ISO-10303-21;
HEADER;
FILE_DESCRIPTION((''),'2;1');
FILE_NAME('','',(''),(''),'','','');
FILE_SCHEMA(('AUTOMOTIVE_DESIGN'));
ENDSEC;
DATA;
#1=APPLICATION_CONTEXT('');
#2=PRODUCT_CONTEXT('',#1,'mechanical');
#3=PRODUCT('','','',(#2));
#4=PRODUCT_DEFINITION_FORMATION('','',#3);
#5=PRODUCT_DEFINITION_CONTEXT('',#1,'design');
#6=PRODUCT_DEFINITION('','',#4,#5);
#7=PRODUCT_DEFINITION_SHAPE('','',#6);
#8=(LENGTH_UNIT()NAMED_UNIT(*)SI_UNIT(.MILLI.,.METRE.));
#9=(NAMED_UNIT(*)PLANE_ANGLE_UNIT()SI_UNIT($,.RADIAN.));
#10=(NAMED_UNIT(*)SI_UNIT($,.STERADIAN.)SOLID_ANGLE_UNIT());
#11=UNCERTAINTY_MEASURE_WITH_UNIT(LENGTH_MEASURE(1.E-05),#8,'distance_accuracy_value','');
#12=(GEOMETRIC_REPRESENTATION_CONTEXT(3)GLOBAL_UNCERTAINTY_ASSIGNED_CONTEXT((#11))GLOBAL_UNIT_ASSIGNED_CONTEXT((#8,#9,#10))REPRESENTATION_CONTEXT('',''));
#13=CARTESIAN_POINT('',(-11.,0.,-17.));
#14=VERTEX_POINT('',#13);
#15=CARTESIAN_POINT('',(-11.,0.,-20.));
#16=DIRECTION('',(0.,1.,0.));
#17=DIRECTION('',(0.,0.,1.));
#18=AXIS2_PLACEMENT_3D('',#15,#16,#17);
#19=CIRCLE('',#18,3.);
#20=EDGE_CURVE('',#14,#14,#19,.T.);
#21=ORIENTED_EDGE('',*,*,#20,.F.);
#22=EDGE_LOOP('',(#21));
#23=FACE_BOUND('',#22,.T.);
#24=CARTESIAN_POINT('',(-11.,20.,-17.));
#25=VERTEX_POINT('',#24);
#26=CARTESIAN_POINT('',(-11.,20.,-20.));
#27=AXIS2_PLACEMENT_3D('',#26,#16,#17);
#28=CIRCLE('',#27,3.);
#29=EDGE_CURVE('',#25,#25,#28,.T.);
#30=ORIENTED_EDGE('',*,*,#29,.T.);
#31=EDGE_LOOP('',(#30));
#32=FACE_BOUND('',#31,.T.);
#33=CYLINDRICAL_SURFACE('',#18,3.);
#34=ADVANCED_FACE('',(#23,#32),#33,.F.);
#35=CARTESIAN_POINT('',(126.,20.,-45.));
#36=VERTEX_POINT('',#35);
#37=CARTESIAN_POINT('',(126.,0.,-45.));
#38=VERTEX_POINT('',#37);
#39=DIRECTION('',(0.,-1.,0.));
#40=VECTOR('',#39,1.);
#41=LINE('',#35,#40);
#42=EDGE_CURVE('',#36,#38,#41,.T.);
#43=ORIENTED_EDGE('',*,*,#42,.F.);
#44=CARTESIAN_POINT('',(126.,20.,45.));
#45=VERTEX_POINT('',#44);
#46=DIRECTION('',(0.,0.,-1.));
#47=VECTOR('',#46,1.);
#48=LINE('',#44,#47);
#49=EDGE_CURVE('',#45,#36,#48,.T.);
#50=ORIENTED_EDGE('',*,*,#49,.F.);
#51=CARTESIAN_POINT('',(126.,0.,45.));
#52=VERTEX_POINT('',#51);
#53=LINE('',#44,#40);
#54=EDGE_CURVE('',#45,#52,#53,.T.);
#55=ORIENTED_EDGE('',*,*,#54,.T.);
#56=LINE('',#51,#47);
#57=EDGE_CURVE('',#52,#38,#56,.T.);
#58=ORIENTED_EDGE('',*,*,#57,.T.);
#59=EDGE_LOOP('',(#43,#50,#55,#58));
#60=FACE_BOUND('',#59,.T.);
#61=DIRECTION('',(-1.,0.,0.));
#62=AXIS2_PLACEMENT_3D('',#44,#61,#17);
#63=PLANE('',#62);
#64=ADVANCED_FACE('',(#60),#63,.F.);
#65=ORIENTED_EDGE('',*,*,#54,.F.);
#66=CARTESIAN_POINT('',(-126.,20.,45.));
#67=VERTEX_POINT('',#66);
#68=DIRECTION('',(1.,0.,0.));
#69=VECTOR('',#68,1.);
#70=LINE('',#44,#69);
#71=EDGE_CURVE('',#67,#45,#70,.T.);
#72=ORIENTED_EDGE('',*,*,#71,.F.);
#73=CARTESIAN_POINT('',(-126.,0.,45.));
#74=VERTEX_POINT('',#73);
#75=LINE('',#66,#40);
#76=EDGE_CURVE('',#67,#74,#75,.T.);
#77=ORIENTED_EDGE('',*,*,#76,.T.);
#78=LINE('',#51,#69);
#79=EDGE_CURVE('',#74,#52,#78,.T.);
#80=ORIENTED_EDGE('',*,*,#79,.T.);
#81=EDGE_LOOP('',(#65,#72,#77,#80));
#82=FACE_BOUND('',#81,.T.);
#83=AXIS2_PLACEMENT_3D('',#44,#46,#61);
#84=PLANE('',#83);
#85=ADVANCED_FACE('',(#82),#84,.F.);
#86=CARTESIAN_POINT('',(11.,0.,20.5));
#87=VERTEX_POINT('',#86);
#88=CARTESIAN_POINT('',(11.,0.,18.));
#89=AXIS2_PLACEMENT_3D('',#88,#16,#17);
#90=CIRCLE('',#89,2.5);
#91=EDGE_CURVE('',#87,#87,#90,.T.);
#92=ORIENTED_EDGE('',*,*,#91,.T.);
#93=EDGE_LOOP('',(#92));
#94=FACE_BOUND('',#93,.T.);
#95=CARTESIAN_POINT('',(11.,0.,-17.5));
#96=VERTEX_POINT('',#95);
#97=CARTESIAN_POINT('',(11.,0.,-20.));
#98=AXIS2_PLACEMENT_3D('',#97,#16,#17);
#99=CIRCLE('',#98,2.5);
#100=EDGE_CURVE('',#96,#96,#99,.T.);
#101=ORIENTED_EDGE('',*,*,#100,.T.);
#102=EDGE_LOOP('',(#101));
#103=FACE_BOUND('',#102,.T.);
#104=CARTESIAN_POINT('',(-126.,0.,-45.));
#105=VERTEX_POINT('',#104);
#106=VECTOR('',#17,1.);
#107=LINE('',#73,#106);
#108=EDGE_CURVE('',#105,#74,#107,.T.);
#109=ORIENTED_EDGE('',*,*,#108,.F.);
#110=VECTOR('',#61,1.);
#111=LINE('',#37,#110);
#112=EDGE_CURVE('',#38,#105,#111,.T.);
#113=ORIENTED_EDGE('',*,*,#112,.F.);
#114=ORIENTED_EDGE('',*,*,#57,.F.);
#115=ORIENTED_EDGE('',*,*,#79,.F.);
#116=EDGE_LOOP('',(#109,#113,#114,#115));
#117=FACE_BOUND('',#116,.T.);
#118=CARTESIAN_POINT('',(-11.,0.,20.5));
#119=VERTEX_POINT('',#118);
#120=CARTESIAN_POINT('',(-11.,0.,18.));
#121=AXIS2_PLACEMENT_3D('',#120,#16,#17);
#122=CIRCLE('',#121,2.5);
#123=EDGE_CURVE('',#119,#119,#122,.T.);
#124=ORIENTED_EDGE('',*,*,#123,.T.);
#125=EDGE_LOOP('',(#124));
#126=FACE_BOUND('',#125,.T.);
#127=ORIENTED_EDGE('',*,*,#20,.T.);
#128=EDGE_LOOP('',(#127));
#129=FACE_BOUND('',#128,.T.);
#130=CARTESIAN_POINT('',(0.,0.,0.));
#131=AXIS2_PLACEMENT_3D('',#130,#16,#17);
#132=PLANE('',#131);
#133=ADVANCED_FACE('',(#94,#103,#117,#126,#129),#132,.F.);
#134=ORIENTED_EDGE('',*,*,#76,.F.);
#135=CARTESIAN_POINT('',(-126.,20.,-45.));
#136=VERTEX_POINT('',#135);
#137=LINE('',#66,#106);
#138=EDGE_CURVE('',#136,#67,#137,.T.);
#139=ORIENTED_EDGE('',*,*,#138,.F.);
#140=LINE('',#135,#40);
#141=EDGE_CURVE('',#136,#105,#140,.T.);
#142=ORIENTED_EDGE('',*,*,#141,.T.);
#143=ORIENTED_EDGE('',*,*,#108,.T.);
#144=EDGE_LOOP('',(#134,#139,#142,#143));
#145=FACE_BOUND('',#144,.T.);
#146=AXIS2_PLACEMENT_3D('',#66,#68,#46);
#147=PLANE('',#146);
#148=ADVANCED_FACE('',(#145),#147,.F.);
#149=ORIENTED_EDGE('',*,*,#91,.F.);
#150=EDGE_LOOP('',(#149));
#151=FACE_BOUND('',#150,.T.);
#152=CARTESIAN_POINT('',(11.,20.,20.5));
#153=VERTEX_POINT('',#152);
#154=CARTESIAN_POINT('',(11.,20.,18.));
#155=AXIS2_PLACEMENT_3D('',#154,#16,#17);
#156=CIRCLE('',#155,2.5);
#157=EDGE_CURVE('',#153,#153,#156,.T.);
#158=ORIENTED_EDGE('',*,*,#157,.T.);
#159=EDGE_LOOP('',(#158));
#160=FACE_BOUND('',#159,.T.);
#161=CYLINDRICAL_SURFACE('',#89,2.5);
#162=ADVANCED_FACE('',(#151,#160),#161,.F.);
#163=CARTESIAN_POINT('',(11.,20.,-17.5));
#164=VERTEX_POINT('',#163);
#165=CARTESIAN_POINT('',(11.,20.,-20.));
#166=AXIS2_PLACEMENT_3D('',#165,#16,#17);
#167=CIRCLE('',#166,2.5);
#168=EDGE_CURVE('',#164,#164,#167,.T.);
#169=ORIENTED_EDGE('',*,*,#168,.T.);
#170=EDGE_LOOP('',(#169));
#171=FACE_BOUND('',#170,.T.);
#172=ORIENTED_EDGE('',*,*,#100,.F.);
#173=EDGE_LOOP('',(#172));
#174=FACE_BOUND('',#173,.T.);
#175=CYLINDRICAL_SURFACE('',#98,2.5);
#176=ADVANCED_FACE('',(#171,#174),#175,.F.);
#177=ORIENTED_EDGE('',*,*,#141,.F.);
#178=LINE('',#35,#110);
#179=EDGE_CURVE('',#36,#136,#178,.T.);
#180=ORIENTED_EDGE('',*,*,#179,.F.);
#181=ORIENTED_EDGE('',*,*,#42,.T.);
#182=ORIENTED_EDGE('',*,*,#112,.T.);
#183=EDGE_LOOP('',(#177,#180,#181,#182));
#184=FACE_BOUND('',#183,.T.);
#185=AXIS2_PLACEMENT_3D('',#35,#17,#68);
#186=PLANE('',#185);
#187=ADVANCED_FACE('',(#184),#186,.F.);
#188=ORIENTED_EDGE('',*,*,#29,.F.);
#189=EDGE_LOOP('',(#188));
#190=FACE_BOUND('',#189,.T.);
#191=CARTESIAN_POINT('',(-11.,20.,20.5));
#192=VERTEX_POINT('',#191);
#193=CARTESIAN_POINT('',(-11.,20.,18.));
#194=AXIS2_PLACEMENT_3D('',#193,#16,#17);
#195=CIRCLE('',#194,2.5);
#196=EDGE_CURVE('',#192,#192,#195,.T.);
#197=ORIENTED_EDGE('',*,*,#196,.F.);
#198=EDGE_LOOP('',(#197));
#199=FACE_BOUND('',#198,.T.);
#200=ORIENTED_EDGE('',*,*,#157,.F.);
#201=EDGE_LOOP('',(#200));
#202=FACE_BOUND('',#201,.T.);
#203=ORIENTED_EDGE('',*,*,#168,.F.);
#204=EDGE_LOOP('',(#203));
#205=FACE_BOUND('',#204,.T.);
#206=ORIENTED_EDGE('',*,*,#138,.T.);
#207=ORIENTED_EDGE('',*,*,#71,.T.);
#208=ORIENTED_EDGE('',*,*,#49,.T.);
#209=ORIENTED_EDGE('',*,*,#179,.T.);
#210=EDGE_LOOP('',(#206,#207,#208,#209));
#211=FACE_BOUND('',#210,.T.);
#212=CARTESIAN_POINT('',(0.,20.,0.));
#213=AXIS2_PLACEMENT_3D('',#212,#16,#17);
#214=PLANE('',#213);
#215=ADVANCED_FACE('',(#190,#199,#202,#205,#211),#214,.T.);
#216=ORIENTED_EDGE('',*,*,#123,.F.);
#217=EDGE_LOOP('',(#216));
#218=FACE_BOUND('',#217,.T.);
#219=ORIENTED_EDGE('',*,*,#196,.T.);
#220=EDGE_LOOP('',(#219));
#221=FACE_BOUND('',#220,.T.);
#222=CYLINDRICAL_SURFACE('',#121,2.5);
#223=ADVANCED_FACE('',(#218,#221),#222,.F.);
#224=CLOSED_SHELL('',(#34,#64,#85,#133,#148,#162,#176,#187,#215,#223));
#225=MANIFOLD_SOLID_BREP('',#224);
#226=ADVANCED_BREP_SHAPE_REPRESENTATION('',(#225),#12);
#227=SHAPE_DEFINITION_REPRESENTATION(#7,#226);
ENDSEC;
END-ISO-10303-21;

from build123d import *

# Parameters (mm, degrees)
SCHIZZO1_W                   = 252
SCHIZZO1_H                   = 90
ESTRUSIONE_ESTRUSIONE1_DEPTH = 20
SCHIZZO3_R                   = 2.999999993
SCHIZZO3_R_2                 = 2.499999993
TAGLIO_ESTRUSIONE1_DEPTH     = 20


with BuildPart() as part:
    # Schizzo1 → Estrusione-Estrusione1 (new body)
    with BuildSketch(Plane(origin=(0, 0, 0), x_dir=(1, 0, 0), z_dir=(0, 1, 0))):
        Rectangle(SCHIZZO1_W, SCHIZZO1_H)
    extrude(amount=ESTRUSIONE_ESTRUSIONE1_DEPTH)

    # Schizzo3 → Taglio-Estrusione1 (cut)
    with BuildSketch(Plane(origin=(0, 20, 0), x_dir=(1, 0, 0), z_dir=(0, 1, 0))):
        with Locations(Location((-10.999999992, 20, 0), (0, 0, 270))):
            Circle(SCHIZZO3_R)
        with Locations(Location((11.000000008, 20, 0), (0, 0, 270))):
            Circle(SCHIZZO3_R_2)
        with Locations(Location((11.000000008, -18, 0), (0, 0, 270))):
            Circle(SCHIZZO3_R_2)
        with Locations(Location((-10.999999992, -18, 0), (0, 0, 270))):
            Circle(SCHIZZO3_R_2)
    extrude(amount=-TAGLIO_ESTRUSIONE1_DEPTH, mode=Mode.SUBTRACT)


solid = part.part
